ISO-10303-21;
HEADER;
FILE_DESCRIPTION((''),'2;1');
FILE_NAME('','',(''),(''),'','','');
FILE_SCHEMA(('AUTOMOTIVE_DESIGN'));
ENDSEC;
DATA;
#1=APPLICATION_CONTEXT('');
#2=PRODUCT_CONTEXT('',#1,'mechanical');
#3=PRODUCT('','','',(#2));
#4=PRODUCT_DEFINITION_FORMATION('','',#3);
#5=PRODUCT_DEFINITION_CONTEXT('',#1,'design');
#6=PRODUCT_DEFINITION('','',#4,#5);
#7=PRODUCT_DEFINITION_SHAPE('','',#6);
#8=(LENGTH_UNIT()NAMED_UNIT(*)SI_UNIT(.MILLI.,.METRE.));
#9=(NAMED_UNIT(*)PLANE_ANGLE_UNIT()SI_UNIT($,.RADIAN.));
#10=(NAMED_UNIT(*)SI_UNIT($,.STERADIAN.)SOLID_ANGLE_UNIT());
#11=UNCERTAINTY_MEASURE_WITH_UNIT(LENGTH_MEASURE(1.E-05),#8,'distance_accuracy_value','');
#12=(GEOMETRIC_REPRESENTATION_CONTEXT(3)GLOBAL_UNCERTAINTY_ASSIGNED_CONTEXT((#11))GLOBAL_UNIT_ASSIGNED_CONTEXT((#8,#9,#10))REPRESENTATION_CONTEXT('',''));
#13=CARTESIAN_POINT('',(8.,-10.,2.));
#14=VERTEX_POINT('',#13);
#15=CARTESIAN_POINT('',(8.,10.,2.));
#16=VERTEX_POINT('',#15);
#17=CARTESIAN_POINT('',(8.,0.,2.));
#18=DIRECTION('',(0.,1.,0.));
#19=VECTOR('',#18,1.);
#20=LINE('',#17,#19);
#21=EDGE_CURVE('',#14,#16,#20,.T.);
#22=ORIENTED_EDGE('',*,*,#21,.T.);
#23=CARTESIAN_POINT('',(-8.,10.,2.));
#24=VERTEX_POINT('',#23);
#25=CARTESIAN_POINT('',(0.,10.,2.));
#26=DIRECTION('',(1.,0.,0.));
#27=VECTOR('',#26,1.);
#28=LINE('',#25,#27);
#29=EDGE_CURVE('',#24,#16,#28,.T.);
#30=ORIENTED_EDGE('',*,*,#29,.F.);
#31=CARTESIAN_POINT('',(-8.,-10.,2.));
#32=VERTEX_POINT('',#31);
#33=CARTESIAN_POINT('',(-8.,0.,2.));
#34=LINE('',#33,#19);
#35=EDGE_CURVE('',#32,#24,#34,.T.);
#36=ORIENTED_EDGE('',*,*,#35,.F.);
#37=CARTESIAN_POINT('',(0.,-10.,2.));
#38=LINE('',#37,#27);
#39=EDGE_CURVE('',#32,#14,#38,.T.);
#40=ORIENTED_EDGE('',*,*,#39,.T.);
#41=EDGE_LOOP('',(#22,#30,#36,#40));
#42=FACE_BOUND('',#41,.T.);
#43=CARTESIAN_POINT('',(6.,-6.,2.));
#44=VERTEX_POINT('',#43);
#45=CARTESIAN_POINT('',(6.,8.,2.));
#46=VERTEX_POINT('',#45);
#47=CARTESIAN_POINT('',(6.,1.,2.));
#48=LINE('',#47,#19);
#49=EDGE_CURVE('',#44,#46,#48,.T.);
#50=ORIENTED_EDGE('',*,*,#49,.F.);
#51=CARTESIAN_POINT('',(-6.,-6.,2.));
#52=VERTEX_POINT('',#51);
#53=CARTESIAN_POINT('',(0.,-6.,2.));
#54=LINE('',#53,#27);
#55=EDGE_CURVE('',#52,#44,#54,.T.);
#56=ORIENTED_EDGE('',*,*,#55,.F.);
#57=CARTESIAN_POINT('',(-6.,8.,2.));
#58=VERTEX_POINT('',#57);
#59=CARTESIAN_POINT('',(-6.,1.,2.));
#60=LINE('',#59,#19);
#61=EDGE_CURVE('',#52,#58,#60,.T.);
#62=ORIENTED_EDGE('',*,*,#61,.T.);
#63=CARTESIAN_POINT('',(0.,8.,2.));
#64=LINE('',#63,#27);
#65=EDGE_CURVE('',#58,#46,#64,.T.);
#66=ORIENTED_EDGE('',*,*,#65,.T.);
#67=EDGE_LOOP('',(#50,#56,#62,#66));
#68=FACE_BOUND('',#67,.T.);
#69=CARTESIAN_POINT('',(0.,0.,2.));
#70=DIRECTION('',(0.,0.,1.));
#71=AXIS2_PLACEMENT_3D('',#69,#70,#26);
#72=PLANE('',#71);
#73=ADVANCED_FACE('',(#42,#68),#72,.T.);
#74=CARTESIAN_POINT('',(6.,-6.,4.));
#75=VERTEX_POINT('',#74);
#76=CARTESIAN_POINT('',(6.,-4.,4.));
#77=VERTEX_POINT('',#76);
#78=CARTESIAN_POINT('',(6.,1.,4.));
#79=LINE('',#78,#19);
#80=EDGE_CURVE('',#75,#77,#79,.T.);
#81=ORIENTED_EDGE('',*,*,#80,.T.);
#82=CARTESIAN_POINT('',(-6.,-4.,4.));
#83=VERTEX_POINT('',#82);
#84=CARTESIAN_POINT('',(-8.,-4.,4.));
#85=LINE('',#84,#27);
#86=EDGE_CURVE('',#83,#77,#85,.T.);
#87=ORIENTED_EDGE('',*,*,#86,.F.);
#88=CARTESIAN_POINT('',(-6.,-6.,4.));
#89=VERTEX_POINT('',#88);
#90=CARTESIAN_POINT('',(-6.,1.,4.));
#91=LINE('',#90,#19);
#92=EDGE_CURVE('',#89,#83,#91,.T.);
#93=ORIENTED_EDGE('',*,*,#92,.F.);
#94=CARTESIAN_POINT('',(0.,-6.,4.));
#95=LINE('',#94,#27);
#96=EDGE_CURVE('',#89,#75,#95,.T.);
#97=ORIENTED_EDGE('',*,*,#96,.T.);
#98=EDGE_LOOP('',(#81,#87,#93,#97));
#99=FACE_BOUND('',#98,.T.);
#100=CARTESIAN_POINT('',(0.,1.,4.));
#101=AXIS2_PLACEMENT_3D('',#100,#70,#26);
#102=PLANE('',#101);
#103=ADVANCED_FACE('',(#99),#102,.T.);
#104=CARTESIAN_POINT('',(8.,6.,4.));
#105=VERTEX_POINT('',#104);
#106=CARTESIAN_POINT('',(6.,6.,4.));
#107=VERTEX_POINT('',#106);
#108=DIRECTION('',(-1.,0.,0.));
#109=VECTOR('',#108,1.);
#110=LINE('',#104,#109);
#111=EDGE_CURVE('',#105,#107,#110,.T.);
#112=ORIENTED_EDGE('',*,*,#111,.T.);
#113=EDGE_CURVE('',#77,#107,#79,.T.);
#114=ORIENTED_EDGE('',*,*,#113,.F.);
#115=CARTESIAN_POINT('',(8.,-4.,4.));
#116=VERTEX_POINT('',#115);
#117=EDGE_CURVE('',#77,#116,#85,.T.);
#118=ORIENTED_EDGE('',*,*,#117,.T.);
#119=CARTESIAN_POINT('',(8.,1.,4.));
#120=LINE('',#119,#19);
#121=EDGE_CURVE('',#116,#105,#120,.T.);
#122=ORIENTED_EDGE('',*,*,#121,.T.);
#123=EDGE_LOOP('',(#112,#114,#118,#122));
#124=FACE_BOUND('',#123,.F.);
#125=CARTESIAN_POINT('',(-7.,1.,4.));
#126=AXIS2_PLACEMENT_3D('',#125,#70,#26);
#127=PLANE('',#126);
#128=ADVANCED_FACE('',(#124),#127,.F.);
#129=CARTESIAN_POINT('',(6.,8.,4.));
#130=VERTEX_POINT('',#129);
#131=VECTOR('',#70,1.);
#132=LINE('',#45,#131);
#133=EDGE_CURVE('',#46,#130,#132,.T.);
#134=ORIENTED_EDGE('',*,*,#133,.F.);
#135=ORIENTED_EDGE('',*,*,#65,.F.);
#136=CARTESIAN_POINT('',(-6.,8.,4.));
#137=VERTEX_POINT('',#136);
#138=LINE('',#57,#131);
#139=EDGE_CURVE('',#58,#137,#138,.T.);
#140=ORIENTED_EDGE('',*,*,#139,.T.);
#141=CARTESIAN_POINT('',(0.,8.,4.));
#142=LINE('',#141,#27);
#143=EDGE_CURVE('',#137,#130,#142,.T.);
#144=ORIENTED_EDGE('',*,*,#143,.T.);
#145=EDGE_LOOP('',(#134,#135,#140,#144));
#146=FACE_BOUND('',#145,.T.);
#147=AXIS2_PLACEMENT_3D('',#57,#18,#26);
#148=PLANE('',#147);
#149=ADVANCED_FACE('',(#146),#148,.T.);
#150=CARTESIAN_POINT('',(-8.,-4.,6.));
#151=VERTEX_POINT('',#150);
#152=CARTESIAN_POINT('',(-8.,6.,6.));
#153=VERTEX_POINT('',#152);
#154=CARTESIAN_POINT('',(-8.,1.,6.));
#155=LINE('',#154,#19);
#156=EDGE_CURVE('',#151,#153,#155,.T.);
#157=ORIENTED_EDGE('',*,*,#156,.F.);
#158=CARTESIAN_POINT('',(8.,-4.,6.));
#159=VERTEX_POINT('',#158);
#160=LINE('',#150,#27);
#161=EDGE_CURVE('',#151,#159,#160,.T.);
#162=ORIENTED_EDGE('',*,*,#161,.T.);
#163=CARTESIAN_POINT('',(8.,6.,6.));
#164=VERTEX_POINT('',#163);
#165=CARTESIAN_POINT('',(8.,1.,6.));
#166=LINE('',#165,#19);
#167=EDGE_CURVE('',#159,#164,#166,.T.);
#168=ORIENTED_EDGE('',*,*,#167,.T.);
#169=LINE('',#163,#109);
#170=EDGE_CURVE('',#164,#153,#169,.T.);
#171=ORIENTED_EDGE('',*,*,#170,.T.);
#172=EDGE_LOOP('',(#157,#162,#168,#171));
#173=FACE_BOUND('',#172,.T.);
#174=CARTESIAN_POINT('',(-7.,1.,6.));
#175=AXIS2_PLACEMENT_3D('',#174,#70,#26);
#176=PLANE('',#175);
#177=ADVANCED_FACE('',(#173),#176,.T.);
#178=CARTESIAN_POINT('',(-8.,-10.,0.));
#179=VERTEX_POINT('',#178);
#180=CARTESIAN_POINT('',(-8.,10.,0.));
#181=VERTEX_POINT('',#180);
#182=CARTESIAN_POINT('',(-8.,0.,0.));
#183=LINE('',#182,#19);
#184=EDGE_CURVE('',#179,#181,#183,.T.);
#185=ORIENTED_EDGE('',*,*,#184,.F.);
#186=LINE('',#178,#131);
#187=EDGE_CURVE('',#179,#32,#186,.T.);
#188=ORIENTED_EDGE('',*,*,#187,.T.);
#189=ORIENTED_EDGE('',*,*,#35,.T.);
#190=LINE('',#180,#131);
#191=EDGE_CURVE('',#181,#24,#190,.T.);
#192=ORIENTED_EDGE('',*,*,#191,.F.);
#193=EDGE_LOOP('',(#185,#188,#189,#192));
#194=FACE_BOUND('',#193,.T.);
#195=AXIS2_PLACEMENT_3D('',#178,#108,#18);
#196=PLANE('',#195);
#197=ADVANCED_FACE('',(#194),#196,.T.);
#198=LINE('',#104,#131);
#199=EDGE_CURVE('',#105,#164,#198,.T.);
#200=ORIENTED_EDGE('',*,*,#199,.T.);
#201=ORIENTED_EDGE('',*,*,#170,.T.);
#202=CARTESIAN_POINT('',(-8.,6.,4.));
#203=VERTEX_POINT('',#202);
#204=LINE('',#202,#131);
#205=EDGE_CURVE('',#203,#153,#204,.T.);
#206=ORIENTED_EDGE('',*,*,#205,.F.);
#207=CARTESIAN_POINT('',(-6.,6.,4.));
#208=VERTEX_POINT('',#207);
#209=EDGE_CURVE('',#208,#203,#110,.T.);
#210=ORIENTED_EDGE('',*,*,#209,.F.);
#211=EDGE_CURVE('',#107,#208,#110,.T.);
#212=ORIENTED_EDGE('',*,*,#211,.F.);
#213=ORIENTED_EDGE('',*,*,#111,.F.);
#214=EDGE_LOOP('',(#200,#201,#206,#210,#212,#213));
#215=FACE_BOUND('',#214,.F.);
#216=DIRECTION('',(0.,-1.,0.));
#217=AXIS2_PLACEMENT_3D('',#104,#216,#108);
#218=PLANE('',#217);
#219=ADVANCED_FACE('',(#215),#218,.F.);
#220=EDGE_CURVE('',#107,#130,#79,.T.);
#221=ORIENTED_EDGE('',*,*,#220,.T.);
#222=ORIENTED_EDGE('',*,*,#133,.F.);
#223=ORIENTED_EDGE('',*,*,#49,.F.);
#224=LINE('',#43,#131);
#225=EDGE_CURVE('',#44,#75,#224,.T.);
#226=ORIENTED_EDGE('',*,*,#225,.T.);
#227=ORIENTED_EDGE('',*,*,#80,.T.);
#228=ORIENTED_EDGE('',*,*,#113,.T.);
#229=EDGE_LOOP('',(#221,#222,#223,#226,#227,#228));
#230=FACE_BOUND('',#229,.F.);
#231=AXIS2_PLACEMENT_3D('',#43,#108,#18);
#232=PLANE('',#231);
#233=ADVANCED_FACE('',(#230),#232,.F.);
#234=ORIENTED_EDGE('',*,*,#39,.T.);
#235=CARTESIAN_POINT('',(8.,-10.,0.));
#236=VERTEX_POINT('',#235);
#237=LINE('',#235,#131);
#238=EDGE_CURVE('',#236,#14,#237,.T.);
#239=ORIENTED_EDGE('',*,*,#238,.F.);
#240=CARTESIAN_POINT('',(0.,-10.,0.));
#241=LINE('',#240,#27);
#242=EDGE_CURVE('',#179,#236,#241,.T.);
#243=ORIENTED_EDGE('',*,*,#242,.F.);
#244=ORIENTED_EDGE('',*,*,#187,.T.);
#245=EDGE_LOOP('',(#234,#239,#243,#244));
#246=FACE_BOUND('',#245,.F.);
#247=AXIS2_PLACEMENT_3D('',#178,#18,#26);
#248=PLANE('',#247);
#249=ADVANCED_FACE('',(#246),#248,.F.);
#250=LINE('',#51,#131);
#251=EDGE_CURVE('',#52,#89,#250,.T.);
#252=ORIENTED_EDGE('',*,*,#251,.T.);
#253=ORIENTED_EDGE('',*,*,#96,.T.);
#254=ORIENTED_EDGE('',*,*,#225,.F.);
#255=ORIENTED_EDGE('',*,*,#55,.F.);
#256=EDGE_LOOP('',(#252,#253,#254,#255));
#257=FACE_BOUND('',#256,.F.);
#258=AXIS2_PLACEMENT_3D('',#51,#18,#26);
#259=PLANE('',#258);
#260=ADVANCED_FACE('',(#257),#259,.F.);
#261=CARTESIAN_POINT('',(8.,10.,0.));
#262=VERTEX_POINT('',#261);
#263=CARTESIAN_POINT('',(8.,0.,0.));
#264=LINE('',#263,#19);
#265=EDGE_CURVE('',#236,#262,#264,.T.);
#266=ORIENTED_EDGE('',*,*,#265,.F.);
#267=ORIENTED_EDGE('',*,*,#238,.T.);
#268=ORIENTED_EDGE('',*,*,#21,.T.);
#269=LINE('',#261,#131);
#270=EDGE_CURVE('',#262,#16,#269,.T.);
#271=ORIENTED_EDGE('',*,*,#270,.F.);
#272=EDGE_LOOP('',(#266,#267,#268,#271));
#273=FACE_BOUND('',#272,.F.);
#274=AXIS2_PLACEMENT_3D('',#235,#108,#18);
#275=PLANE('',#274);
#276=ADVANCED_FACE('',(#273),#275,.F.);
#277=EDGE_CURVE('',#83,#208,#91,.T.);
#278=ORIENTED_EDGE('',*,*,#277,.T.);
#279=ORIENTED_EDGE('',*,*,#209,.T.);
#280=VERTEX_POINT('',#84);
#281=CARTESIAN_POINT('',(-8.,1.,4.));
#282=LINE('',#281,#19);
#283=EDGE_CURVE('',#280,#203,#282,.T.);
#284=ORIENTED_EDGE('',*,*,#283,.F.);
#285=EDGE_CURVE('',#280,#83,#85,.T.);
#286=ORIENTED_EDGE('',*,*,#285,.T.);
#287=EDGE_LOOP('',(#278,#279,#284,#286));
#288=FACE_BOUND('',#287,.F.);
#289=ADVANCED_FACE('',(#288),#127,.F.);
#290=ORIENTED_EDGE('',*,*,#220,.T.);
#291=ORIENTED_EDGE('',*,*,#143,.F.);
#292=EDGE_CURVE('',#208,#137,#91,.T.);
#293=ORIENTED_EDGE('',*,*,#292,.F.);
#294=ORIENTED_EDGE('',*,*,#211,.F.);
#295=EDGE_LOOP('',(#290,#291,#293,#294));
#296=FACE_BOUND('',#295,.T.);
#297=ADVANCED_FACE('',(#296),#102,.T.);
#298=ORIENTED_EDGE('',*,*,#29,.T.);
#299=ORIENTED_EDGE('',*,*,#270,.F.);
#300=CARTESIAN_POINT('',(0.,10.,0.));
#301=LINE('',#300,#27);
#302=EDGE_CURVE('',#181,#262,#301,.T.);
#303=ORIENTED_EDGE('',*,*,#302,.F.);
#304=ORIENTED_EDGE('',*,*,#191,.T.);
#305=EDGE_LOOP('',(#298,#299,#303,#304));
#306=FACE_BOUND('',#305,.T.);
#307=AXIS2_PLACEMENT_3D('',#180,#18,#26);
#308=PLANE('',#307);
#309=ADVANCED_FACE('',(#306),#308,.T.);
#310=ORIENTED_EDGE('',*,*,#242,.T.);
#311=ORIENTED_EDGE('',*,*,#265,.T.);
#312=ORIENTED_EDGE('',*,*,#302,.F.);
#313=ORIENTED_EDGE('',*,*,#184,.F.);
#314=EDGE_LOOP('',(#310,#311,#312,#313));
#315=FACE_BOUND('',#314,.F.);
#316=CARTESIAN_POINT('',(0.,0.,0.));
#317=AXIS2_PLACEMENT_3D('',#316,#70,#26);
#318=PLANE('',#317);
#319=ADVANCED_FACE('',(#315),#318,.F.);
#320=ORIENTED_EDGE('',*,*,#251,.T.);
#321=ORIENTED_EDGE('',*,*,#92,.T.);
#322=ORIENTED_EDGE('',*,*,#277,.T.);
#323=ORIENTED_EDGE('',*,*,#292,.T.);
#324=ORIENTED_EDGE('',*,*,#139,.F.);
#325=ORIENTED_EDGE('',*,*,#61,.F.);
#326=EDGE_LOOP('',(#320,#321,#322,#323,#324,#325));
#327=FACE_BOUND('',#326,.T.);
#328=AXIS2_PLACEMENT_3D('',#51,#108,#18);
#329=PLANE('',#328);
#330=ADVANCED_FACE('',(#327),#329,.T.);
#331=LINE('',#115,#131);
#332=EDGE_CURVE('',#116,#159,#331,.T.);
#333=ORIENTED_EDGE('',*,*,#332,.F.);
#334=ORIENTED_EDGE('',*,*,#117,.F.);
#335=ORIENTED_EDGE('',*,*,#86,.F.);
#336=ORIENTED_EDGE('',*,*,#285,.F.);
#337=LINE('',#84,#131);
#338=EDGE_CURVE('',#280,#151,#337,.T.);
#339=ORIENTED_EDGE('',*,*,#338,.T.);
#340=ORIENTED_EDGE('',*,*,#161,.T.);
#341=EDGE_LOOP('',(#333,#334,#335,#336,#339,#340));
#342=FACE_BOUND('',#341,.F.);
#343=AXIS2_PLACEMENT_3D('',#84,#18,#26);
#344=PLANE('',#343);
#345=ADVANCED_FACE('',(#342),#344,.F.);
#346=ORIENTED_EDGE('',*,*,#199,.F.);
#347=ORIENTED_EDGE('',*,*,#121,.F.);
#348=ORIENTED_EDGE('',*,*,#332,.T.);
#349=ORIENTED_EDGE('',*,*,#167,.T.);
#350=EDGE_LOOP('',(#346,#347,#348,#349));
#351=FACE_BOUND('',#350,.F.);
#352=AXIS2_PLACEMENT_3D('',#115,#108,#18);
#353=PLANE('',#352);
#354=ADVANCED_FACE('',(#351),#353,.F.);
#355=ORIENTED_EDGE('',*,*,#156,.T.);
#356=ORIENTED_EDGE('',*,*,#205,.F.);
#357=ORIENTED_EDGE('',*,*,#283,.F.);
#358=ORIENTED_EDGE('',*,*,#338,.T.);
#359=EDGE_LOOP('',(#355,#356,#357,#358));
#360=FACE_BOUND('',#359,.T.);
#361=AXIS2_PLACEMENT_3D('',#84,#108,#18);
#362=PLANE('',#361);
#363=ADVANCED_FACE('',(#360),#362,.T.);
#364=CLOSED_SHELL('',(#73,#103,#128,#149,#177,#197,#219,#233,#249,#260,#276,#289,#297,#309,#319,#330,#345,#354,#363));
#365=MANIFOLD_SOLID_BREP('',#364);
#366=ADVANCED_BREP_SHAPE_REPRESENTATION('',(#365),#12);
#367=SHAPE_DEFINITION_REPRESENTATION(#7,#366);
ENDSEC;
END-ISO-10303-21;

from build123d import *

# Parameters (mm, degrees)
F1_W     = 16
F1_H     = 20
F2_DEPTH = 2
F3_W     = 12
F3_H     = 14
F4_DEPTH = 2
F5_W     = 2
F5_H     = 10
F5_W_2   = 12
F6_DEPTH = 2


with BuildPart() as f2:
    # F1 (on Top) → F2 (new body)
    with BuildSketch(Plane.XY):
        Rectangle(F1_W, F1_H)
    extrude(amount=F2_DEPTH)

    # F3 (on face) → F4 (join)
    with BuildSketch(Plane.XY.offset(2)):
        with Locations((0, 1)):
            Rectangle(F3_W, F3_H)
    extrude(amount=F4_DEPTH)

    # F5 (on face) → F6 (join)
    with BuildSketch(Plane.XY.offset(4)):
        with Locations((-7, 1)):
            Rectangle(F5_W, F5_H)
        with Locations((0, 1)):
            Rectangle(F5_W_2, F5_H)
        with Locations((7, 1)):
            Rectangle(F5_W, F5_H)
    extrude(amount=F6_DEPTH)


solid = f2.part
